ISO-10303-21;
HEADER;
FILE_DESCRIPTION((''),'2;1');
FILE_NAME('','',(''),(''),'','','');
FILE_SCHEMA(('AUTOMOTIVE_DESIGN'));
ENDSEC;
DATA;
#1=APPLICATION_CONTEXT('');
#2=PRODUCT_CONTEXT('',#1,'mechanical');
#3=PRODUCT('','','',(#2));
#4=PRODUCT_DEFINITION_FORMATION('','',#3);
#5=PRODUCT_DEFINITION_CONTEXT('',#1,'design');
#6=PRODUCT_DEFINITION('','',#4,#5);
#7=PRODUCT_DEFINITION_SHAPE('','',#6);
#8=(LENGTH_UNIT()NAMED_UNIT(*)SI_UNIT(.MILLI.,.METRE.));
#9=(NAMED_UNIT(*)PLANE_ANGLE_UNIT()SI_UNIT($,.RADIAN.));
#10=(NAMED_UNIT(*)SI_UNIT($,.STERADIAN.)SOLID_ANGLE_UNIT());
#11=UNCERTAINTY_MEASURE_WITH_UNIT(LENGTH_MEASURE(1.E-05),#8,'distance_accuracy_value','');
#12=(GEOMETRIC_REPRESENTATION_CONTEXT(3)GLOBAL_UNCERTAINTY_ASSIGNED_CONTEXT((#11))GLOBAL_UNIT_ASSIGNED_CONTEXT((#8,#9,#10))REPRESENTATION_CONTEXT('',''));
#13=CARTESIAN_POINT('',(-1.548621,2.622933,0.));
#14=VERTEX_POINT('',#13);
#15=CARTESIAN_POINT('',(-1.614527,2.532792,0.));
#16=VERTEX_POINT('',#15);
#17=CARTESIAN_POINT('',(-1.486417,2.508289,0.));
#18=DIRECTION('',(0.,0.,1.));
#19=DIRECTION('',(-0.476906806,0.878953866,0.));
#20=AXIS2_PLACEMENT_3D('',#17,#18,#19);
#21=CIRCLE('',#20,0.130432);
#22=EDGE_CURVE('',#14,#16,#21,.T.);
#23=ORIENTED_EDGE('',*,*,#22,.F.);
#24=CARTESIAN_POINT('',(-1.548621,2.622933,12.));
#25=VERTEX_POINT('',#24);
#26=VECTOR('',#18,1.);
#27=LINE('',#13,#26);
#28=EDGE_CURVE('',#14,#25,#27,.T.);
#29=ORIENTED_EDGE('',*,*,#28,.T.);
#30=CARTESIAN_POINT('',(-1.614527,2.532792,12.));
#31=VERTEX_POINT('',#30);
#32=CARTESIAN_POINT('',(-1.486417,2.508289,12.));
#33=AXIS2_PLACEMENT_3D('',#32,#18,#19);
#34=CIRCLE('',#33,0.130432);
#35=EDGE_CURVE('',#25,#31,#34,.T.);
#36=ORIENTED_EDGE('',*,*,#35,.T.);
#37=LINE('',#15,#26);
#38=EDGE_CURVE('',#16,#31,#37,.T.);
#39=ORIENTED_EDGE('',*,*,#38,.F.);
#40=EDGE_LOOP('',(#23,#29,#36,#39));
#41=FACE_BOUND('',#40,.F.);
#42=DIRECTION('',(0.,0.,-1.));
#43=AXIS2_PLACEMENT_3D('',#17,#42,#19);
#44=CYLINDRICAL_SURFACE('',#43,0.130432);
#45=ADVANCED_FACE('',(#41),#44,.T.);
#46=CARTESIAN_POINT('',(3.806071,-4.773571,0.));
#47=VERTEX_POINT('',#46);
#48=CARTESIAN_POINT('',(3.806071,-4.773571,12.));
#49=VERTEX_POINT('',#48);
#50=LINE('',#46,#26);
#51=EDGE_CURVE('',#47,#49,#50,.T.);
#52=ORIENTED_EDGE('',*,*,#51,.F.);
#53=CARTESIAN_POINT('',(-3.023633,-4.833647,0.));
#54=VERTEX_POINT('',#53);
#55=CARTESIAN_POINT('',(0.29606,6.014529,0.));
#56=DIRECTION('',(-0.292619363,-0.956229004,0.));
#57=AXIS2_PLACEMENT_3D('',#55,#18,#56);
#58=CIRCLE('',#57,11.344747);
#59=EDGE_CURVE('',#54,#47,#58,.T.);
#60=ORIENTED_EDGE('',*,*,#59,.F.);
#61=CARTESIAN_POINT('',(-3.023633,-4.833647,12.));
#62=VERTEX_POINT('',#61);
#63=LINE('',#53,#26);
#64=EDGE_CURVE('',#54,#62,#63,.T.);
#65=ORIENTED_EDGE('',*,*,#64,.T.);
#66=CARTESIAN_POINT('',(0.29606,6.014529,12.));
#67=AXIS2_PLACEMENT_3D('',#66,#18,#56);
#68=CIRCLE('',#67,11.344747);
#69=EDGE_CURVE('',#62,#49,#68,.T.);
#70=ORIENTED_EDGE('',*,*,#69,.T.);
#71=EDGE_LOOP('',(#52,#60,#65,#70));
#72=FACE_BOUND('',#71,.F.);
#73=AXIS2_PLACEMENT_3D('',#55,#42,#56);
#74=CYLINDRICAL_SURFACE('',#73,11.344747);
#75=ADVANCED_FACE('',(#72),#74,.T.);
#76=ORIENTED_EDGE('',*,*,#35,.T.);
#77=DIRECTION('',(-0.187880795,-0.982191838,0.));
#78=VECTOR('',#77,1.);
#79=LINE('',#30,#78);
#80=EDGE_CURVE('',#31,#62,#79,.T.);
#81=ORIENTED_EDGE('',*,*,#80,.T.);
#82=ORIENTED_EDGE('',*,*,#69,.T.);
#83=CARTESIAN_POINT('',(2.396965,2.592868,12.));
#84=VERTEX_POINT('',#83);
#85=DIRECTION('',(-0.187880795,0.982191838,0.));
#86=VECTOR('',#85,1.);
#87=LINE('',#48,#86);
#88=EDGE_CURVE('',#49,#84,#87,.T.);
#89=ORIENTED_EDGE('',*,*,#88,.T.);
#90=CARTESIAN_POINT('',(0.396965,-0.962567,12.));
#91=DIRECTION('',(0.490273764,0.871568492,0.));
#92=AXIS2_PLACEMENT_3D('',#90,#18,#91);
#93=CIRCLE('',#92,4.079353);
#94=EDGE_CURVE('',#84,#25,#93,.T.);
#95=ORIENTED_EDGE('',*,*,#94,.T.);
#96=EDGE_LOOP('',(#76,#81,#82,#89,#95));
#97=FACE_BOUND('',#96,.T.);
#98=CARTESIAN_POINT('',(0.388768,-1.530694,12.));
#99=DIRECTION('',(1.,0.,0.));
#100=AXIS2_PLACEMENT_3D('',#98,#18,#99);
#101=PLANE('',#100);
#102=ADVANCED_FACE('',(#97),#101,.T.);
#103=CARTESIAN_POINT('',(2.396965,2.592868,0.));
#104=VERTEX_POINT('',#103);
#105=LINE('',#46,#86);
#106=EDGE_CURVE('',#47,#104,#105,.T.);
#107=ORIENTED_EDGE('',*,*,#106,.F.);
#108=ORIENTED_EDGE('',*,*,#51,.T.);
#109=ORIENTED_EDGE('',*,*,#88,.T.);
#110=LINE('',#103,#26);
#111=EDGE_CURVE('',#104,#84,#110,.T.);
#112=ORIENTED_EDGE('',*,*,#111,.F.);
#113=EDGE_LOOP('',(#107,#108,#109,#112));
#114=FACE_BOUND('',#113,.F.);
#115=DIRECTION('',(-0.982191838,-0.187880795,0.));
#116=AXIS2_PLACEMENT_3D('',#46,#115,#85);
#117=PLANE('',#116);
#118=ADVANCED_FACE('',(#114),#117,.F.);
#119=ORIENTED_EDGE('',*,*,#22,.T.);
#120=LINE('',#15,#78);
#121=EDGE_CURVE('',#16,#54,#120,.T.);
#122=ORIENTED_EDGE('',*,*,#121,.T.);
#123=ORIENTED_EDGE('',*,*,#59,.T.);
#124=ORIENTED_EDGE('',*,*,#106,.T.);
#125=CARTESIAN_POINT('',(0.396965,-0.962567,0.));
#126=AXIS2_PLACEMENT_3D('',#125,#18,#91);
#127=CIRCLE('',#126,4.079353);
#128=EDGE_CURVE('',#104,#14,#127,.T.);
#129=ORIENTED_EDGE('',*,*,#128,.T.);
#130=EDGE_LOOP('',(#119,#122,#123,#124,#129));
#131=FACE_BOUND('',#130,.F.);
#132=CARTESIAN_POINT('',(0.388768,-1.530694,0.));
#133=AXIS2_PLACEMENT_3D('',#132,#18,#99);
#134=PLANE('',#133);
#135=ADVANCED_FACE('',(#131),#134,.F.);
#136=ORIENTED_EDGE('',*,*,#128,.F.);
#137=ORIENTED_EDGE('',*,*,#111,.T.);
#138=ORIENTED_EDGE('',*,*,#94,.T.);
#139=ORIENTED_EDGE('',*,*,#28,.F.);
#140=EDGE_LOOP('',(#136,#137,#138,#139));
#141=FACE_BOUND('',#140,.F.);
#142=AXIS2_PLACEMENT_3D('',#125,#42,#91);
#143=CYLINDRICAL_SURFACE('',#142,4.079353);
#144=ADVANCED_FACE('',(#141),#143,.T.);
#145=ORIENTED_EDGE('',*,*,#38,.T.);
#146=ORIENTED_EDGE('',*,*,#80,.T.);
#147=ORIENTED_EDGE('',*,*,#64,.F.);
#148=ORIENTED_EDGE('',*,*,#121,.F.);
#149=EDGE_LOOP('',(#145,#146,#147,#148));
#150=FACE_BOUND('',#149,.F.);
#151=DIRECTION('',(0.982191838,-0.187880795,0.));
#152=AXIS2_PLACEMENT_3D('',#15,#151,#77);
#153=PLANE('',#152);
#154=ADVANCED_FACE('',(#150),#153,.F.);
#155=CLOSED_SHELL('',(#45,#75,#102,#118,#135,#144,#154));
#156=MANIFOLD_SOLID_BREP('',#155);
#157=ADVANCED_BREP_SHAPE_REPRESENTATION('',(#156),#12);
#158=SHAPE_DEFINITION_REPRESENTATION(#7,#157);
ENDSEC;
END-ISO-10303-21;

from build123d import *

# Parameters (mm, degrees)
F1_DEPTH = 12


with BuildPart() as f1:
    # F0 (on Top) → F1 (new body)
    with BuildSketch(Plane.XY):
        with BuildLine():
            Line((3.806071, -4.773571), (2.396965, 2.592868))
            ThreePointArc((2.396965, 2.592868), (0.428049, 3.116667), (-1.548621, 2.622933))
            ThreePointArc((-1.548621, 2.622933), (-1.591708, 2.585272), (-1.614527, 2.532792))
            Line((-1.614527, 2.532792), (-3.023633, -4.833647))
            ThreePointArc((-3.023633, -4.833647), (0.395847, -5.329779), (3.806071, -4.773571))
        make_face()
    extrude(amount=F1_DEPTH)


solid = f1.part
